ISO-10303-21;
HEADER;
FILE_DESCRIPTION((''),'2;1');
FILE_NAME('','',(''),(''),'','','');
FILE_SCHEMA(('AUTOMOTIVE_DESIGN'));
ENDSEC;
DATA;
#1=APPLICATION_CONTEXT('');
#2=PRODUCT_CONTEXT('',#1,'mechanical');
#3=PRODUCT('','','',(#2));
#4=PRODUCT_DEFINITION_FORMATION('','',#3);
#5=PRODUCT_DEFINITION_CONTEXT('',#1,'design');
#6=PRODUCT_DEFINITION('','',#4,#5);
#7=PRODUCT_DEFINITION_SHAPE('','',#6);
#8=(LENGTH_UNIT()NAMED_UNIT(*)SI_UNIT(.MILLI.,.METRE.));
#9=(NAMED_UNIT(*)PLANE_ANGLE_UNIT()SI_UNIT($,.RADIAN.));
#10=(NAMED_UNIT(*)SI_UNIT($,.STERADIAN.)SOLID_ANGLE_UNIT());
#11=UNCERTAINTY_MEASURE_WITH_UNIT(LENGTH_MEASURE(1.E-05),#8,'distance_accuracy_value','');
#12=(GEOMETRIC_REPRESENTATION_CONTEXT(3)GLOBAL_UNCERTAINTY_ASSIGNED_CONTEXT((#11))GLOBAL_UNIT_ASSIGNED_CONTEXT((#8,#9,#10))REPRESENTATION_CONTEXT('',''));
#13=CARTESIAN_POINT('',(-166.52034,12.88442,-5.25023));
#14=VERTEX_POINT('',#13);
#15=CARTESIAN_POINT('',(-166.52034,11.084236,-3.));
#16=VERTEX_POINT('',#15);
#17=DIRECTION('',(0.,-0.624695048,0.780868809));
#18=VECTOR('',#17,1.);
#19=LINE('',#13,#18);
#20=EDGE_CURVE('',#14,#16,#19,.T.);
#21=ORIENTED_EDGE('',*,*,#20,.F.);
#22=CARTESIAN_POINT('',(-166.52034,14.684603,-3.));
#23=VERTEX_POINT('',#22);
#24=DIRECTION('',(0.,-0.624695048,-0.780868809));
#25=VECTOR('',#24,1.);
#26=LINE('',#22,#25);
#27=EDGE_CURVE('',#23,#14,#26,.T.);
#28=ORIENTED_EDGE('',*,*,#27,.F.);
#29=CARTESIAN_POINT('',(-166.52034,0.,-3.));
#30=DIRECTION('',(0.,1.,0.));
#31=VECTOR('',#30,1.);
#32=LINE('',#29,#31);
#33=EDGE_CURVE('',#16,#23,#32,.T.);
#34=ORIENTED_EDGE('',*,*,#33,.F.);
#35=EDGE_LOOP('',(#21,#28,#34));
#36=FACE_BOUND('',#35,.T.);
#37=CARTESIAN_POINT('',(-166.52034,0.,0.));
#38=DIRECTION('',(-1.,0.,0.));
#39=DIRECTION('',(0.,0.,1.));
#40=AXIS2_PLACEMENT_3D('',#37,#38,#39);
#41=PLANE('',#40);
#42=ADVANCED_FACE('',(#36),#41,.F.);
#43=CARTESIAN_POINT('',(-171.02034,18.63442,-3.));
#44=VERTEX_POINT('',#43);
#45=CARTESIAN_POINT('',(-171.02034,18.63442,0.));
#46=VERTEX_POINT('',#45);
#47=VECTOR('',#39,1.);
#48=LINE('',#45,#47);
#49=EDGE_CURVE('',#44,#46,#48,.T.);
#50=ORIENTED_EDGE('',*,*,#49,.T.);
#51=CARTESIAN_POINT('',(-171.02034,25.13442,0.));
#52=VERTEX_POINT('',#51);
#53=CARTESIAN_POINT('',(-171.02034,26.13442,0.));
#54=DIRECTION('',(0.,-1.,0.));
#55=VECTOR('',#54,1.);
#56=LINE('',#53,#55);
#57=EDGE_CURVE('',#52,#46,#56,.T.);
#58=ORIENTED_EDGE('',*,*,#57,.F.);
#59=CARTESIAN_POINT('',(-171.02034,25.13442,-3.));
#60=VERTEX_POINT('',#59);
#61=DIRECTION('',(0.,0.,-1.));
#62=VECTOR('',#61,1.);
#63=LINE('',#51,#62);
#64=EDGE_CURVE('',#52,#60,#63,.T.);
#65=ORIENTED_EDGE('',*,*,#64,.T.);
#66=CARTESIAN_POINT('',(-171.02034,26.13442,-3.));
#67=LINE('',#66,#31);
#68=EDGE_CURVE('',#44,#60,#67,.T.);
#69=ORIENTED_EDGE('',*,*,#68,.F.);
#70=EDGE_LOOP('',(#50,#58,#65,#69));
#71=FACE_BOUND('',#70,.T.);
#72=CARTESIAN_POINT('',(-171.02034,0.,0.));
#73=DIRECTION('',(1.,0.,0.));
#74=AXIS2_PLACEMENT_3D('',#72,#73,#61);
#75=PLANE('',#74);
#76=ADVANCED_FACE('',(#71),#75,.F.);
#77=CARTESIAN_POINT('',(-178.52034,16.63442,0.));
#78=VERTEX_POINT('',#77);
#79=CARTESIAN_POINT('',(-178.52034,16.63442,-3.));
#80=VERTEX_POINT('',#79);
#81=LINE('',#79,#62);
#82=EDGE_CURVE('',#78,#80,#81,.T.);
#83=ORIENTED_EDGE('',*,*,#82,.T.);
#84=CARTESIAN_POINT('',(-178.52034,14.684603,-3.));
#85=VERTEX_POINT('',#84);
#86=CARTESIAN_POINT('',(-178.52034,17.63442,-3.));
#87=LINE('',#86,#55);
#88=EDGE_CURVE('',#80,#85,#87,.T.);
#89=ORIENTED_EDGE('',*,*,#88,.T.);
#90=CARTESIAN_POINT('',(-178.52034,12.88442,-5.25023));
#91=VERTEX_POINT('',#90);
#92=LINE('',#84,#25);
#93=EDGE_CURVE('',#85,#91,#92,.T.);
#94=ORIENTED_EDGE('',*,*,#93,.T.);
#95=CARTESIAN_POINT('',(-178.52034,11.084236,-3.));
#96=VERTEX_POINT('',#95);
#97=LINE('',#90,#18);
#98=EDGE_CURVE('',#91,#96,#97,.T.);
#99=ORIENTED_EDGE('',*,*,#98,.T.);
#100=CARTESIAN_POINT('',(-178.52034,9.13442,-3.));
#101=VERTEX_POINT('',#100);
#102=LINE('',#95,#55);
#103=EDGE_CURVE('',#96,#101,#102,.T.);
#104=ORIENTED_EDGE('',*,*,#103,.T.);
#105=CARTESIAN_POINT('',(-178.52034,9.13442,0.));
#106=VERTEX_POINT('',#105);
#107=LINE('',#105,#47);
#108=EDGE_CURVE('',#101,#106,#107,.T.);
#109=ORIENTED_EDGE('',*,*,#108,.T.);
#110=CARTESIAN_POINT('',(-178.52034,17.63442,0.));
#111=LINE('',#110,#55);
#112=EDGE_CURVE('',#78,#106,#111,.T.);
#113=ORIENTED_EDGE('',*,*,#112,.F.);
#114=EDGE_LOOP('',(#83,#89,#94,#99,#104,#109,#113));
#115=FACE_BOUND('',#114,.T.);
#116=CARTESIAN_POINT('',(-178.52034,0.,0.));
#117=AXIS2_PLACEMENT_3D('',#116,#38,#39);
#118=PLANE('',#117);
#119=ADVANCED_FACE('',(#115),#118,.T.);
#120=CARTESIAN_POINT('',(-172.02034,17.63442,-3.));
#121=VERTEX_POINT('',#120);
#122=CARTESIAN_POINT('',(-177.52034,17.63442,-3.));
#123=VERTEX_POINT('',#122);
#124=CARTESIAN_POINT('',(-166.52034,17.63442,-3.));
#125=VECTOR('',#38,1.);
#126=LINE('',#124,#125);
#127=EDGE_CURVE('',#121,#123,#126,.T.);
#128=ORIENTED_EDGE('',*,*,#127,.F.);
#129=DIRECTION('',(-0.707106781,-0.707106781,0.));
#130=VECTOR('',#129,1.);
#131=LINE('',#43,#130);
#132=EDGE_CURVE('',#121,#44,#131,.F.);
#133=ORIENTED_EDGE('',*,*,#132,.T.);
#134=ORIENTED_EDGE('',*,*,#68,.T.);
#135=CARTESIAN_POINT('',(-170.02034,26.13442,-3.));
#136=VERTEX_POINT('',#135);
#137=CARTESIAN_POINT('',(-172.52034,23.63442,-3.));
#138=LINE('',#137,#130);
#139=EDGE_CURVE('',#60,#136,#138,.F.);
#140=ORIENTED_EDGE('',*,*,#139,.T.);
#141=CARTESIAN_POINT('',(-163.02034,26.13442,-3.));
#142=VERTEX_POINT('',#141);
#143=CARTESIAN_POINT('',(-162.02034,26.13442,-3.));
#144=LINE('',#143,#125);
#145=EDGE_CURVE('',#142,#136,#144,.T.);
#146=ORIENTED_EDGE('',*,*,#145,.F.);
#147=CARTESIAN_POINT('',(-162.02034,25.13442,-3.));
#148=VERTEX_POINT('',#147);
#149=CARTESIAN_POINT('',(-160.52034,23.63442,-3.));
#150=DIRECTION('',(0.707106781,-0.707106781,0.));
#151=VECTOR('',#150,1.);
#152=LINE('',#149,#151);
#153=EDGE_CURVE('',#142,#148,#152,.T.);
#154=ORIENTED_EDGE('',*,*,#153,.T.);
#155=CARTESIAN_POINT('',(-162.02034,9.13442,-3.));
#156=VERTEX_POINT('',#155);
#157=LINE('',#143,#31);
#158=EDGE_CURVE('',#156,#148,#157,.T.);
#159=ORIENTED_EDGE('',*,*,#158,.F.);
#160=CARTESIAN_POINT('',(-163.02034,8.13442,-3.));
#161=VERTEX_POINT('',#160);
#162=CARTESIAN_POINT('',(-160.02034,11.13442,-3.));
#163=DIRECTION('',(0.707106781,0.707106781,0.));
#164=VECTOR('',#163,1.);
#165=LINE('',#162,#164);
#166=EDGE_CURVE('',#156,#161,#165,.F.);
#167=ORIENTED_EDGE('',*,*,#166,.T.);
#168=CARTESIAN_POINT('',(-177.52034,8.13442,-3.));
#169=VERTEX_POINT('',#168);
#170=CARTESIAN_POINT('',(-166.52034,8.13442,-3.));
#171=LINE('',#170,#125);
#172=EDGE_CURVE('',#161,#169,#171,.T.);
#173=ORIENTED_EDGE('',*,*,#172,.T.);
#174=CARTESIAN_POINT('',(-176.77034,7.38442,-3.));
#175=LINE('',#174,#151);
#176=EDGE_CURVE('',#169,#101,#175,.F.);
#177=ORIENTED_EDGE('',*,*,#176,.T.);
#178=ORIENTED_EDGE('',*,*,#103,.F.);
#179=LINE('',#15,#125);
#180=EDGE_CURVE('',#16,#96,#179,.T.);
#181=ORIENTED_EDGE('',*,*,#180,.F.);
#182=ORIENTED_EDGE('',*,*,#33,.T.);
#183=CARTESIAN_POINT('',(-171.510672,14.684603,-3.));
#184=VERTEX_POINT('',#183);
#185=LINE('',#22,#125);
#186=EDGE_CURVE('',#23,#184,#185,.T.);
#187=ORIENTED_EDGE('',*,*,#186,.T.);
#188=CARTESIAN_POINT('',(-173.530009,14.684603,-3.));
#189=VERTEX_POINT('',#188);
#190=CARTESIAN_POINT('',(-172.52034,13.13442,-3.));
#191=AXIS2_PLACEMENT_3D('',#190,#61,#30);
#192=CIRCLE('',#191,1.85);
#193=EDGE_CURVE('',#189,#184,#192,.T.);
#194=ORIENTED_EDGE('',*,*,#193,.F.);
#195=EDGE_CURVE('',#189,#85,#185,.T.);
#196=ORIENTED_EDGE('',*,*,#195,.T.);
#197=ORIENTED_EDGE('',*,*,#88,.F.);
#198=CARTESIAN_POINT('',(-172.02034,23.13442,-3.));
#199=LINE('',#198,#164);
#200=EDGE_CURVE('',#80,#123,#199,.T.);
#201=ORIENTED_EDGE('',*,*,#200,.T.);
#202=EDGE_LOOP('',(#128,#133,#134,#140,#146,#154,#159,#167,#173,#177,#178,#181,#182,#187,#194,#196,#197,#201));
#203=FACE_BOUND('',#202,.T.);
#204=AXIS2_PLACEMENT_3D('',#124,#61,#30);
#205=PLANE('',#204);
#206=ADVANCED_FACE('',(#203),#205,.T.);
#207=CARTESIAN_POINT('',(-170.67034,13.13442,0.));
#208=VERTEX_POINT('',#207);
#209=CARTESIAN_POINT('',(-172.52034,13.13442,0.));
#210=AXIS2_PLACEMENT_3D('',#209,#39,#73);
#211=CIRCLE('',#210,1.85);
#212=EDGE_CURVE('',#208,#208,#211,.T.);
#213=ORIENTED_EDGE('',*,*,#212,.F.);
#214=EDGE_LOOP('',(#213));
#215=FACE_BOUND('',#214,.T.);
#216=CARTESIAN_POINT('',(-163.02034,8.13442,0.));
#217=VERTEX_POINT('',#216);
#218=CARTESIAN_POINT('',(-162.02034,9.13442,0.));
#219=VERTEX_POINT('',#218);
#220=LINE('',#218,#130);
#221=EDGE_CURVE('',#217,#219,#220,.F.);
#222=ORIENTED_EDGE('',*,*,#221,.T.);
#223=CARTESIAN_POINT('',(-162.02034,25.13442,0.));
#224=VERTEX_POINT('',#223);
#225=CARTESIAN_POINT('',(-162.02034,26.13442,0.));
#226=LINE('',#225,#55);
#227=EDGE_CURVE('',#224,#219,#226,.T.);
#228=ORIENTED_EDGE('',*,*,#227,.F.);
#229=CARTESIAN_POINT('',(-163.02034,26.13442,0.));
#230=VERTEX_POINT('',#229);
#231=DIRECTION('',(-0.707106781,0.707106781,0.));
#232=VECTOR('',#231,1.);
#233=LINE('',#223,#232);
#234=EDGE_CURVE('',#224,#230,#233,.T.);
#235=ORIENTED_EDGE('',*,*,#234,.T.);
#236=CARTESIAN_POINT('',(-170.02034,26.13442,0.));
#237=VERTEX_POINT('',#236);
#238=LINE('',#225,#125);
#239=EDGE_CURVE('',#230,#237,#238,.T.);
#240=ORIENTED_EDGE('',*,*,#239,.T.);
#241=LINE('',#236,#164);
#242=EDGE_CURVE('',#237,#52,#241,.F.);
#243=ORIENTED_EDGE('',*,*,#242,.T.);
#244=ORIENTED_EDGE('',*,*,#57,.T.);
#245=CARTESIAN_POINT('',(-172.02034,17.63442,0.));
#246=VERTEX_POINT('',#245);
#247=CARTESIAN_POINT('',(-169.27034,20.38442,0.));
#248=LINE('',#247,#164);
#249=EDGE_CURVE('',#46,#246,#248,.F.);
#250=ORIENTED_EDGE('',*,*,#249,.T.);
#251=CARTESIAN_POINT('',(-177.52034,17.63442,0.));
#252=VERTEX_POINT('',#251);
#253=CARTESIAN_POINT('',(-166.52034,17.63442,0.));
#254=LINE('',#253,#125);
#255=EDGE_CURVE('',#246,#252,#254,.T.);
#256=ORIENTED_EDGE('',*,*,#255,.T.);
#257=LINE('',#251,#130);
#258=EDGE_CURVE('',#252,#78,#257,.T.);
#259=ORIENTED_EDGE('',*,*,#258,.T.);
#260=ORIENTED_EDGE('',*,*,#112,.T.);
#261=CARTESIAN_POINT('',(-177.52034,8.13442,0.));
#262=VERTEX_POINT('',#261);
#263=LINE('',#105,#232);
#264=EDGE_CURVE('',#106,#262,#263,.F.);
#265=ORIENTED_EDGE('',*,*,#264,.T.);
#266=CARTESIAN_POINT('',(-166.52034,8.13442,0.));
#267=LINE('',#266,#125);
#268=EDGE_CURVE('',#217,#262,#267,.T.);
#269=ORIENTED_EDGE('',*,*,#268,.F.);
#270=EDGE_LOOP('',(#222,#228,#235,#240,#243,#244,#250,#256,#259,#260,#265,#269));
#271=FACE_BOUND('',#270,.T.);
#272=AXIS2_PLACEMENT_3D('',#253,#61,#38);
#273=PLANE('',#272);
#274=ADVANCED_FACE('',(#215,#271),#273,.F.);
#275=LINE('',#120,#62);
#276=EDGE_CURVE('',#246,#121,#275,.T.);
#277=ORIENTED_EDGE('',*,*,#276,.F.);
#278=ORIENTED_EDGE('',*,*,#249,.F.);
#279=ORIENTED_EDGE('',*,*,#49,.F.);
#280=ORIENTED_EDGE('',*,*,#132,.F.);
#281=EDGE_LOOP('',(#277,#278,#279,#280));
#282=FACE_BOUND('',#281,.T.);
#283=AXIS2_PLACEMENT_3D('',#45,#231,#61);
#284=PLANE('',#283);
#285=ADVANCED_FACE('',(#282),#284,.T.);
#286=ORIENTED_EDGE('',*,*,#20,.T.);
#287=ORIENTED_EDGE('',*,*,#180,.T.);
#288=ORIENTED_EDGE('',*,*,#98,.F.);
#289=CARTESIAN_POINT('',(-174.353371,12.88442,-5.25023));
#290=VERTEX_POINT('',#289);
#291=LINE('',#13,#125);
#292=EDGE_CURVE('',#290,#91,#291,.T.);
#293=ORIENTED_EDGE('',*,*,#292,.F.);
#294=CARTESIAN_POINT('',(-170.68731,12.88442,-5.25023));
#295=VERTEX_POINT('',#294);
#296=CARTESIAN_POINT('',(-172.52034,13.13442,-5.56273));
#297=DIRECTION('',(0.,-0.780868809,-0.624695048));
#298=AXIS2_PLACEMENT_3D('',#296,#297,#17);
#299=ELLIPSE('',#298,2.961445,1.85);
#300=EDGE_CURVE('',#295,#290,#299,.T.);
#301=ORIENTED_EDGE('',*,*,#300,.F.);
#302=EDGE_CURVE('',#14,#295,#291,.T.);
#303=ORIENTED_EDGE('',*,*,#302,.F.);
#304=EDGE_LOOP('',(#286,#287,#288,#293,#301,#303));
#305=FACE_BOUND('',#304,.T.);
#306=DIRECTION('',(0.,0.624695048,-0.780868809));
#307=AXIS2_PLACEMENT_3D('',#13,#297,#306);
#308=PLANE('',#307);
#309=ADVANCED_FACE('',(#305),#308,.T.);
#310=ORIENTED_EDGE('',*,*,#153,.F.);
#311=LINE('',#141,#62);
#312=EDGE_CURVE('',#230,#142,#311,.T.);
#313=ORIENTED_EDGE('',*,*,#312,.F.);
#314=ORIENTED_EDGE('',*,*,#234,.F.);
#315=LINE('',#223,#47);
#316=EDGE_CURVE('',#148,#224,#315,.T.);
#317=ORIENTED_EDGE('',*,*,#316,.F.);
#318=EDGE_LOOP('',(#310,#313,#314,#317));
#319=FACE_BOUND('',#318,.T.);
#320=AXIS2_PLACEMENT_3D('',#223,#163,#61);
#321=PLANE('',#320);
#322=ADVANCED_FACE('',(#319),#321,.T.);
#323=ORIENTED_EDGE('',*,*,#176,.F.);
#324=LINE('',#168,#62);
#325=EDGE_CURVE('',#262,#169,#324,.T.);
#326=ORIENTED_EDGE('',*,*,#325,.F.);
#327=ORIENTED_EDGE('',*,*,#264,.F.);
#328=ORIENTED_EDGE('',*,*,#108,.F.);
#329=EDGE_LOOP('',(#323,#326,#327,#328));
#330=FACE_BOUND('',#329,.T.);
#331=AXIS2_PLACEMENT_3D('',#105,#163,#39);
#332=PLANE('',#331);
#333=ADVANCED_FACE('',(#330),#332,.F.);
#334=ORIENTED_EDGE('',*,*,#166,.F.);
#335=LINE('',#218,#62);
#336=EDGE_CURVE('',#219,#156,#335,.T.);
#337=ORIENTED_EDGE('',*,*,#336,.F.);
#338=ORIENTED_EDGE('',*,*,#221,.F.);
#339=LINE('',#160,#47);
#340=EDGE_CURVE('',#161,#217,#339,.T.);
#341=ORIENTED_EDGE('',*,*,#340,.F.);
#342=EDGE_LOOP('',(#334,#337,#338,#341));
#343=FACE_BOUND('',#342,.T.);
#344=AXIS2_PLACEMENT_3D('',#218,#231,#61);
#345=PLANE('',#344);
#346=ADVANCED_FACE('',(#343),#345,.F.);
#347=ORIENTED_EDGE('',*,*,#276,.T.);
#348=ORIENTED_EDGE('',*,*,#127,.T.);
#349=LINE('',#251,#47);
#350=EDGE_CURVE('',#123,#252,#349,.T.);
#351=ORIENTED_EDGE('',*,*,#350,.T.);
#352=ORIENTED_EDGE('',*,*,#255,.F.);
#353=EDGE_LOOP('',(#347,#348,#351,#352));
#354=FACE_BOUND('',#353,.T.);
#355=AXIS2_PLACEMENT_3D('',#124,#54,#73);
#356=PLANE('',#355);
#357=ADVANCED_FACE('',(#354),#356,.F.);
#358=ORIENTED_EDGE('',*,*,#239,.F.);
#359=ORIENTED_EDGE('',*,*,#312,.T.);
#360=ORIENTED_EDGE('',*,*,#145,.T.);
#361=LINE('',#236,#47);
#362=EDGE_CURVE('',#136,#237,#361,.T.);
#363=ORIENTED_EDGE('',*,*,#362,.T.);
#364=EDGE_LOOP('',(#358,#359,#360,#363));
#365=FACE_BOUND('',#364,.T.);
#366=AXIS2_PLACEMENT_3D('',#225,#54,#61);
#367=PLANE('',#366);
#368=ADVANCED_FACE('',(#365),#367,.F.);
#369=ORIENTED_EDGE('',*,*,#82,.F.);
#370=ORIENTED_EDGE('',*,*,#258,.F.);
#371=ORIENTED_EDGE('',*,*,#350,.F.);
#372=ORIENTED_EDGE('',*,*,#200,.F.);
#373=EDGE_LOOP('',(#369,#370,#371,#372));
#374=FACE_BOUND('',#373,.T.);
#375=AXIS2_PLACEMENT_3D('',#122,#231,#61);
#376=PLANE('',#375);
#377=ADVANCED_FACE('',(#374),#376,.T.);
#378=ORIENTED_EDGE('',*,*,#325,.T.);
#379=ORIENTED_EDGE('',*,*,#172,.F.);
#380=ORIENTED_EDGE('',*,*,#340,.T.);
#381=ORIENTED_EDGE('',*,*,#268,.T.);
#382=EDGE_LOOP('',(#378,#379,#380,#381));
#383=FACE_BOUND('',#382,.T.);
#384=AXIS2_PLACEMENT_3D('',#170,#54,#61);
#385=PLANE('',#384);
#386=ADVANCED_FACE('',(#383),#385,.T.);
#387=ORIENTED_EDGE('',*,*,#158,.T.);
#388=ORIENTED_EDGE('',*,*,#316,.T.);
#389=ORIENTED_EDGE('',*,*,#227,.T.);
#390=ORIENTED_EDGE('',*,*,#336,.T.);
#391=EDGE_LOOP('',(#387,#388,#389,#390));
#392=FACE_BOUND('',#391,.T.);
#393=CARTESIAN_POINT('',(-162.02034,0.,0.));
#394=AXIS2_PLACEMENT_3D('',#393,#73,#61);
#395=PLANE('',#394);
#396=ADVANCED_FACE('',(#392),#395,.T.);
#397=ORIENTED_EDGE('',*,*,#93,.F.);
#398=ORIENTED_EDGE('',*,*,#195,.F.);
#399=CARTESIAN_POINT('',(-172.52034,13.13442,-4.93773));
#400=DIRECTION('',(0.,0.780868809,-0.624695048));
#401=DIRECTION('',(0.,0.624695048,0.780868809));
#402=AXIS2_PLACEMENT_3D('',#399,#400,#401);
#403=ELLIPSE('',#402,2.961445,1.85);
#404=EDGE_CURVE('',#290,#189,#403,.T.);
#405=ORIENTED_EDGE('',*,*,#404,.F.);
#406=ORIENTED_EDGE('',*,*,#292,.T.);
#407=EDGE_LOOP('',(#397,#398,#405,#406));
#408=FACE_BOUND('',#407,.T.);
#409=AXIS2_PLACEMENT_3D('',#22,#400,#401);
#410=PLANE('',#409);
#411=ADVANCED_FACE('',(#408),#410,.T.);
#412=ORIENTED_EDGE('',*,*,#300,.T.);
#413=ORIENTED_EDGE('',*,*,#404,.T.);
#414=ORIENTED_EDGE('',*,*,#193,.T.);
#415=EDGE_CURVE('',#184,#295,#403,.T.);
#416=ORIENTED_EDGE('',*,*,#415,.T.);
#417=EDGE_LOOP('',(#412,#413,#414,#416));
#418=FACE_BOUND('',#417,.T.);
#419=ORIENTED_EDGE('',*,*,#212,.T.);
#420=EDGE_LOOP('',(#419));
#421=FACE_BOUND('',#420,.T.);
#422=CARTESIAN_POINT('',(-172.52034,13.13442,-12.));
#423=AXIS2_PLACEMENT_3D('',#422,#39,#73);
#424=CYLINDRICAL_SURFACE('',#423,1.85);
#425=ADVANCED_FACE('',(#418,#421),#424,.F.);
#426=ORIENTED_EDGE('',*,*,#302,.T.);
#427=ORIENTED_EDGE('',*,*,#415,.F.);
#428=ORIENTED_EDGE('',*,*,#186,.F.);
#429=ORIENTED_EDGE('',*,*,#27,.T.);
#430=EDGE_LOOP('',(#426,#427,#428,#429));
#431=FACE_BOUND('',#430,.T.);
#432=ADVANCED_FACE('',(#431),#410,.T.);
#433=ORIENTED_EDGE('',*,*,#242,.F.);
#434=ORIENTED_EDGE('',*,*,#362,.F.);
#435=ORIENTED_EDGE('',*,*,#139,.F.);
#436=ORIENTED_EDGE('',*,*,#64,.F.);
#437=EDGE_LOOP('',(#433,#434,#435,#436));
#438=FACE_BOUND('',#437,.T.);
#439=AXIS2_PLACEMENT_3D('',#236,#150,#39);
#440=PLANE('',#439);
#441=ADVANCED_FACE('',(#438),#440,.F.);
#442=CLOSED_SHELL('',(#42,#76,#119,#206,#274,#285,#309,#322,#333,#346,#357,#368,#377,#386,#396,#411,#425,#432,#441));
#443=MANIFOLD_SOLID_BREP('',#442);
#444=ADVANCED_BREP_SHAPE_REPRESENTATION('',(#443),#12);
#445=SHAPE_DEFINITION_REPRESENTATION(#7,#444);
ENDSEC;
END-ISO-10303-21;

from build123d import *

# Parameters (mm, degrees)
BOSS_EXTRUDE3_DEPTH = 12
SKETCH5_W           = 3
SKETCH5_H           = 18
BOSS_EXTRUDE4_DEPTH = 4.5
CHAMFER1_SIZE       = 1
SKETCH4_R           = 1.85
CUT_EXTRUDE1_DEPTH  = 12


with BuildPart() as part:
    # Sketch3 → Boss-Extrude3 (new body)
    with BuildSketch(Plane.ZY.offset(178.52034041)):
        Polygon((-3, 14.684603209), (-5.250229512, 12.884419599), (-3, 11.084235989), (-3, 8.134419599), (0, 8.134419599), (0, 17.634419599), (-3, 17.634419599), align=None)
    extrude(amount=-BOSS_EXTRUDE3_DEPTH)

    # Sketch5 → Boss-Extrude4 (add, symmetric)
    with BuildSketch(Plane(origin=(-166.52034041, 0, 0), x_dir=(0, 0, -1), z_dir=(1, 0, 0))):
        with Locations((1.5, 17.134419599)):
            Rectangle(SKETCH5_W, SKETCH5_H)
    extrude(amount=BOSS_EXTRUDE4_DEPTH, both=True)

    # Chamfer1
    chamfer1_edges = [part.edges().sort_by_distance(p)[0] for p in [
        (-171.02034041, 17.634419599, -1.5),
        (-171.02034041, 26.134419599, -1.5),
        (-162.02034041, 8.134419599, -1.5),
        (-162.02034041, 26.134419599, -1.5),
        (-178.52034041, 17.634419599, -1.5),
        (-178.52034041, 8.134419599, -1.5),
    ]]
    chamfer(chamfer1_edges, length=CHAMFER1_SIZE)

    # Sketch4 → Cut-Extrude1 (cut)
    with BuildSketch(Plane.XY):
        with Locations((-172.52034041, 13.134419599)):
            Circle(SKETCH4_R)
    extrude(amount=-CUT_EXTRUDE1_DEPTH, mode=Mode.SUBTRACT)


solid = part.part
